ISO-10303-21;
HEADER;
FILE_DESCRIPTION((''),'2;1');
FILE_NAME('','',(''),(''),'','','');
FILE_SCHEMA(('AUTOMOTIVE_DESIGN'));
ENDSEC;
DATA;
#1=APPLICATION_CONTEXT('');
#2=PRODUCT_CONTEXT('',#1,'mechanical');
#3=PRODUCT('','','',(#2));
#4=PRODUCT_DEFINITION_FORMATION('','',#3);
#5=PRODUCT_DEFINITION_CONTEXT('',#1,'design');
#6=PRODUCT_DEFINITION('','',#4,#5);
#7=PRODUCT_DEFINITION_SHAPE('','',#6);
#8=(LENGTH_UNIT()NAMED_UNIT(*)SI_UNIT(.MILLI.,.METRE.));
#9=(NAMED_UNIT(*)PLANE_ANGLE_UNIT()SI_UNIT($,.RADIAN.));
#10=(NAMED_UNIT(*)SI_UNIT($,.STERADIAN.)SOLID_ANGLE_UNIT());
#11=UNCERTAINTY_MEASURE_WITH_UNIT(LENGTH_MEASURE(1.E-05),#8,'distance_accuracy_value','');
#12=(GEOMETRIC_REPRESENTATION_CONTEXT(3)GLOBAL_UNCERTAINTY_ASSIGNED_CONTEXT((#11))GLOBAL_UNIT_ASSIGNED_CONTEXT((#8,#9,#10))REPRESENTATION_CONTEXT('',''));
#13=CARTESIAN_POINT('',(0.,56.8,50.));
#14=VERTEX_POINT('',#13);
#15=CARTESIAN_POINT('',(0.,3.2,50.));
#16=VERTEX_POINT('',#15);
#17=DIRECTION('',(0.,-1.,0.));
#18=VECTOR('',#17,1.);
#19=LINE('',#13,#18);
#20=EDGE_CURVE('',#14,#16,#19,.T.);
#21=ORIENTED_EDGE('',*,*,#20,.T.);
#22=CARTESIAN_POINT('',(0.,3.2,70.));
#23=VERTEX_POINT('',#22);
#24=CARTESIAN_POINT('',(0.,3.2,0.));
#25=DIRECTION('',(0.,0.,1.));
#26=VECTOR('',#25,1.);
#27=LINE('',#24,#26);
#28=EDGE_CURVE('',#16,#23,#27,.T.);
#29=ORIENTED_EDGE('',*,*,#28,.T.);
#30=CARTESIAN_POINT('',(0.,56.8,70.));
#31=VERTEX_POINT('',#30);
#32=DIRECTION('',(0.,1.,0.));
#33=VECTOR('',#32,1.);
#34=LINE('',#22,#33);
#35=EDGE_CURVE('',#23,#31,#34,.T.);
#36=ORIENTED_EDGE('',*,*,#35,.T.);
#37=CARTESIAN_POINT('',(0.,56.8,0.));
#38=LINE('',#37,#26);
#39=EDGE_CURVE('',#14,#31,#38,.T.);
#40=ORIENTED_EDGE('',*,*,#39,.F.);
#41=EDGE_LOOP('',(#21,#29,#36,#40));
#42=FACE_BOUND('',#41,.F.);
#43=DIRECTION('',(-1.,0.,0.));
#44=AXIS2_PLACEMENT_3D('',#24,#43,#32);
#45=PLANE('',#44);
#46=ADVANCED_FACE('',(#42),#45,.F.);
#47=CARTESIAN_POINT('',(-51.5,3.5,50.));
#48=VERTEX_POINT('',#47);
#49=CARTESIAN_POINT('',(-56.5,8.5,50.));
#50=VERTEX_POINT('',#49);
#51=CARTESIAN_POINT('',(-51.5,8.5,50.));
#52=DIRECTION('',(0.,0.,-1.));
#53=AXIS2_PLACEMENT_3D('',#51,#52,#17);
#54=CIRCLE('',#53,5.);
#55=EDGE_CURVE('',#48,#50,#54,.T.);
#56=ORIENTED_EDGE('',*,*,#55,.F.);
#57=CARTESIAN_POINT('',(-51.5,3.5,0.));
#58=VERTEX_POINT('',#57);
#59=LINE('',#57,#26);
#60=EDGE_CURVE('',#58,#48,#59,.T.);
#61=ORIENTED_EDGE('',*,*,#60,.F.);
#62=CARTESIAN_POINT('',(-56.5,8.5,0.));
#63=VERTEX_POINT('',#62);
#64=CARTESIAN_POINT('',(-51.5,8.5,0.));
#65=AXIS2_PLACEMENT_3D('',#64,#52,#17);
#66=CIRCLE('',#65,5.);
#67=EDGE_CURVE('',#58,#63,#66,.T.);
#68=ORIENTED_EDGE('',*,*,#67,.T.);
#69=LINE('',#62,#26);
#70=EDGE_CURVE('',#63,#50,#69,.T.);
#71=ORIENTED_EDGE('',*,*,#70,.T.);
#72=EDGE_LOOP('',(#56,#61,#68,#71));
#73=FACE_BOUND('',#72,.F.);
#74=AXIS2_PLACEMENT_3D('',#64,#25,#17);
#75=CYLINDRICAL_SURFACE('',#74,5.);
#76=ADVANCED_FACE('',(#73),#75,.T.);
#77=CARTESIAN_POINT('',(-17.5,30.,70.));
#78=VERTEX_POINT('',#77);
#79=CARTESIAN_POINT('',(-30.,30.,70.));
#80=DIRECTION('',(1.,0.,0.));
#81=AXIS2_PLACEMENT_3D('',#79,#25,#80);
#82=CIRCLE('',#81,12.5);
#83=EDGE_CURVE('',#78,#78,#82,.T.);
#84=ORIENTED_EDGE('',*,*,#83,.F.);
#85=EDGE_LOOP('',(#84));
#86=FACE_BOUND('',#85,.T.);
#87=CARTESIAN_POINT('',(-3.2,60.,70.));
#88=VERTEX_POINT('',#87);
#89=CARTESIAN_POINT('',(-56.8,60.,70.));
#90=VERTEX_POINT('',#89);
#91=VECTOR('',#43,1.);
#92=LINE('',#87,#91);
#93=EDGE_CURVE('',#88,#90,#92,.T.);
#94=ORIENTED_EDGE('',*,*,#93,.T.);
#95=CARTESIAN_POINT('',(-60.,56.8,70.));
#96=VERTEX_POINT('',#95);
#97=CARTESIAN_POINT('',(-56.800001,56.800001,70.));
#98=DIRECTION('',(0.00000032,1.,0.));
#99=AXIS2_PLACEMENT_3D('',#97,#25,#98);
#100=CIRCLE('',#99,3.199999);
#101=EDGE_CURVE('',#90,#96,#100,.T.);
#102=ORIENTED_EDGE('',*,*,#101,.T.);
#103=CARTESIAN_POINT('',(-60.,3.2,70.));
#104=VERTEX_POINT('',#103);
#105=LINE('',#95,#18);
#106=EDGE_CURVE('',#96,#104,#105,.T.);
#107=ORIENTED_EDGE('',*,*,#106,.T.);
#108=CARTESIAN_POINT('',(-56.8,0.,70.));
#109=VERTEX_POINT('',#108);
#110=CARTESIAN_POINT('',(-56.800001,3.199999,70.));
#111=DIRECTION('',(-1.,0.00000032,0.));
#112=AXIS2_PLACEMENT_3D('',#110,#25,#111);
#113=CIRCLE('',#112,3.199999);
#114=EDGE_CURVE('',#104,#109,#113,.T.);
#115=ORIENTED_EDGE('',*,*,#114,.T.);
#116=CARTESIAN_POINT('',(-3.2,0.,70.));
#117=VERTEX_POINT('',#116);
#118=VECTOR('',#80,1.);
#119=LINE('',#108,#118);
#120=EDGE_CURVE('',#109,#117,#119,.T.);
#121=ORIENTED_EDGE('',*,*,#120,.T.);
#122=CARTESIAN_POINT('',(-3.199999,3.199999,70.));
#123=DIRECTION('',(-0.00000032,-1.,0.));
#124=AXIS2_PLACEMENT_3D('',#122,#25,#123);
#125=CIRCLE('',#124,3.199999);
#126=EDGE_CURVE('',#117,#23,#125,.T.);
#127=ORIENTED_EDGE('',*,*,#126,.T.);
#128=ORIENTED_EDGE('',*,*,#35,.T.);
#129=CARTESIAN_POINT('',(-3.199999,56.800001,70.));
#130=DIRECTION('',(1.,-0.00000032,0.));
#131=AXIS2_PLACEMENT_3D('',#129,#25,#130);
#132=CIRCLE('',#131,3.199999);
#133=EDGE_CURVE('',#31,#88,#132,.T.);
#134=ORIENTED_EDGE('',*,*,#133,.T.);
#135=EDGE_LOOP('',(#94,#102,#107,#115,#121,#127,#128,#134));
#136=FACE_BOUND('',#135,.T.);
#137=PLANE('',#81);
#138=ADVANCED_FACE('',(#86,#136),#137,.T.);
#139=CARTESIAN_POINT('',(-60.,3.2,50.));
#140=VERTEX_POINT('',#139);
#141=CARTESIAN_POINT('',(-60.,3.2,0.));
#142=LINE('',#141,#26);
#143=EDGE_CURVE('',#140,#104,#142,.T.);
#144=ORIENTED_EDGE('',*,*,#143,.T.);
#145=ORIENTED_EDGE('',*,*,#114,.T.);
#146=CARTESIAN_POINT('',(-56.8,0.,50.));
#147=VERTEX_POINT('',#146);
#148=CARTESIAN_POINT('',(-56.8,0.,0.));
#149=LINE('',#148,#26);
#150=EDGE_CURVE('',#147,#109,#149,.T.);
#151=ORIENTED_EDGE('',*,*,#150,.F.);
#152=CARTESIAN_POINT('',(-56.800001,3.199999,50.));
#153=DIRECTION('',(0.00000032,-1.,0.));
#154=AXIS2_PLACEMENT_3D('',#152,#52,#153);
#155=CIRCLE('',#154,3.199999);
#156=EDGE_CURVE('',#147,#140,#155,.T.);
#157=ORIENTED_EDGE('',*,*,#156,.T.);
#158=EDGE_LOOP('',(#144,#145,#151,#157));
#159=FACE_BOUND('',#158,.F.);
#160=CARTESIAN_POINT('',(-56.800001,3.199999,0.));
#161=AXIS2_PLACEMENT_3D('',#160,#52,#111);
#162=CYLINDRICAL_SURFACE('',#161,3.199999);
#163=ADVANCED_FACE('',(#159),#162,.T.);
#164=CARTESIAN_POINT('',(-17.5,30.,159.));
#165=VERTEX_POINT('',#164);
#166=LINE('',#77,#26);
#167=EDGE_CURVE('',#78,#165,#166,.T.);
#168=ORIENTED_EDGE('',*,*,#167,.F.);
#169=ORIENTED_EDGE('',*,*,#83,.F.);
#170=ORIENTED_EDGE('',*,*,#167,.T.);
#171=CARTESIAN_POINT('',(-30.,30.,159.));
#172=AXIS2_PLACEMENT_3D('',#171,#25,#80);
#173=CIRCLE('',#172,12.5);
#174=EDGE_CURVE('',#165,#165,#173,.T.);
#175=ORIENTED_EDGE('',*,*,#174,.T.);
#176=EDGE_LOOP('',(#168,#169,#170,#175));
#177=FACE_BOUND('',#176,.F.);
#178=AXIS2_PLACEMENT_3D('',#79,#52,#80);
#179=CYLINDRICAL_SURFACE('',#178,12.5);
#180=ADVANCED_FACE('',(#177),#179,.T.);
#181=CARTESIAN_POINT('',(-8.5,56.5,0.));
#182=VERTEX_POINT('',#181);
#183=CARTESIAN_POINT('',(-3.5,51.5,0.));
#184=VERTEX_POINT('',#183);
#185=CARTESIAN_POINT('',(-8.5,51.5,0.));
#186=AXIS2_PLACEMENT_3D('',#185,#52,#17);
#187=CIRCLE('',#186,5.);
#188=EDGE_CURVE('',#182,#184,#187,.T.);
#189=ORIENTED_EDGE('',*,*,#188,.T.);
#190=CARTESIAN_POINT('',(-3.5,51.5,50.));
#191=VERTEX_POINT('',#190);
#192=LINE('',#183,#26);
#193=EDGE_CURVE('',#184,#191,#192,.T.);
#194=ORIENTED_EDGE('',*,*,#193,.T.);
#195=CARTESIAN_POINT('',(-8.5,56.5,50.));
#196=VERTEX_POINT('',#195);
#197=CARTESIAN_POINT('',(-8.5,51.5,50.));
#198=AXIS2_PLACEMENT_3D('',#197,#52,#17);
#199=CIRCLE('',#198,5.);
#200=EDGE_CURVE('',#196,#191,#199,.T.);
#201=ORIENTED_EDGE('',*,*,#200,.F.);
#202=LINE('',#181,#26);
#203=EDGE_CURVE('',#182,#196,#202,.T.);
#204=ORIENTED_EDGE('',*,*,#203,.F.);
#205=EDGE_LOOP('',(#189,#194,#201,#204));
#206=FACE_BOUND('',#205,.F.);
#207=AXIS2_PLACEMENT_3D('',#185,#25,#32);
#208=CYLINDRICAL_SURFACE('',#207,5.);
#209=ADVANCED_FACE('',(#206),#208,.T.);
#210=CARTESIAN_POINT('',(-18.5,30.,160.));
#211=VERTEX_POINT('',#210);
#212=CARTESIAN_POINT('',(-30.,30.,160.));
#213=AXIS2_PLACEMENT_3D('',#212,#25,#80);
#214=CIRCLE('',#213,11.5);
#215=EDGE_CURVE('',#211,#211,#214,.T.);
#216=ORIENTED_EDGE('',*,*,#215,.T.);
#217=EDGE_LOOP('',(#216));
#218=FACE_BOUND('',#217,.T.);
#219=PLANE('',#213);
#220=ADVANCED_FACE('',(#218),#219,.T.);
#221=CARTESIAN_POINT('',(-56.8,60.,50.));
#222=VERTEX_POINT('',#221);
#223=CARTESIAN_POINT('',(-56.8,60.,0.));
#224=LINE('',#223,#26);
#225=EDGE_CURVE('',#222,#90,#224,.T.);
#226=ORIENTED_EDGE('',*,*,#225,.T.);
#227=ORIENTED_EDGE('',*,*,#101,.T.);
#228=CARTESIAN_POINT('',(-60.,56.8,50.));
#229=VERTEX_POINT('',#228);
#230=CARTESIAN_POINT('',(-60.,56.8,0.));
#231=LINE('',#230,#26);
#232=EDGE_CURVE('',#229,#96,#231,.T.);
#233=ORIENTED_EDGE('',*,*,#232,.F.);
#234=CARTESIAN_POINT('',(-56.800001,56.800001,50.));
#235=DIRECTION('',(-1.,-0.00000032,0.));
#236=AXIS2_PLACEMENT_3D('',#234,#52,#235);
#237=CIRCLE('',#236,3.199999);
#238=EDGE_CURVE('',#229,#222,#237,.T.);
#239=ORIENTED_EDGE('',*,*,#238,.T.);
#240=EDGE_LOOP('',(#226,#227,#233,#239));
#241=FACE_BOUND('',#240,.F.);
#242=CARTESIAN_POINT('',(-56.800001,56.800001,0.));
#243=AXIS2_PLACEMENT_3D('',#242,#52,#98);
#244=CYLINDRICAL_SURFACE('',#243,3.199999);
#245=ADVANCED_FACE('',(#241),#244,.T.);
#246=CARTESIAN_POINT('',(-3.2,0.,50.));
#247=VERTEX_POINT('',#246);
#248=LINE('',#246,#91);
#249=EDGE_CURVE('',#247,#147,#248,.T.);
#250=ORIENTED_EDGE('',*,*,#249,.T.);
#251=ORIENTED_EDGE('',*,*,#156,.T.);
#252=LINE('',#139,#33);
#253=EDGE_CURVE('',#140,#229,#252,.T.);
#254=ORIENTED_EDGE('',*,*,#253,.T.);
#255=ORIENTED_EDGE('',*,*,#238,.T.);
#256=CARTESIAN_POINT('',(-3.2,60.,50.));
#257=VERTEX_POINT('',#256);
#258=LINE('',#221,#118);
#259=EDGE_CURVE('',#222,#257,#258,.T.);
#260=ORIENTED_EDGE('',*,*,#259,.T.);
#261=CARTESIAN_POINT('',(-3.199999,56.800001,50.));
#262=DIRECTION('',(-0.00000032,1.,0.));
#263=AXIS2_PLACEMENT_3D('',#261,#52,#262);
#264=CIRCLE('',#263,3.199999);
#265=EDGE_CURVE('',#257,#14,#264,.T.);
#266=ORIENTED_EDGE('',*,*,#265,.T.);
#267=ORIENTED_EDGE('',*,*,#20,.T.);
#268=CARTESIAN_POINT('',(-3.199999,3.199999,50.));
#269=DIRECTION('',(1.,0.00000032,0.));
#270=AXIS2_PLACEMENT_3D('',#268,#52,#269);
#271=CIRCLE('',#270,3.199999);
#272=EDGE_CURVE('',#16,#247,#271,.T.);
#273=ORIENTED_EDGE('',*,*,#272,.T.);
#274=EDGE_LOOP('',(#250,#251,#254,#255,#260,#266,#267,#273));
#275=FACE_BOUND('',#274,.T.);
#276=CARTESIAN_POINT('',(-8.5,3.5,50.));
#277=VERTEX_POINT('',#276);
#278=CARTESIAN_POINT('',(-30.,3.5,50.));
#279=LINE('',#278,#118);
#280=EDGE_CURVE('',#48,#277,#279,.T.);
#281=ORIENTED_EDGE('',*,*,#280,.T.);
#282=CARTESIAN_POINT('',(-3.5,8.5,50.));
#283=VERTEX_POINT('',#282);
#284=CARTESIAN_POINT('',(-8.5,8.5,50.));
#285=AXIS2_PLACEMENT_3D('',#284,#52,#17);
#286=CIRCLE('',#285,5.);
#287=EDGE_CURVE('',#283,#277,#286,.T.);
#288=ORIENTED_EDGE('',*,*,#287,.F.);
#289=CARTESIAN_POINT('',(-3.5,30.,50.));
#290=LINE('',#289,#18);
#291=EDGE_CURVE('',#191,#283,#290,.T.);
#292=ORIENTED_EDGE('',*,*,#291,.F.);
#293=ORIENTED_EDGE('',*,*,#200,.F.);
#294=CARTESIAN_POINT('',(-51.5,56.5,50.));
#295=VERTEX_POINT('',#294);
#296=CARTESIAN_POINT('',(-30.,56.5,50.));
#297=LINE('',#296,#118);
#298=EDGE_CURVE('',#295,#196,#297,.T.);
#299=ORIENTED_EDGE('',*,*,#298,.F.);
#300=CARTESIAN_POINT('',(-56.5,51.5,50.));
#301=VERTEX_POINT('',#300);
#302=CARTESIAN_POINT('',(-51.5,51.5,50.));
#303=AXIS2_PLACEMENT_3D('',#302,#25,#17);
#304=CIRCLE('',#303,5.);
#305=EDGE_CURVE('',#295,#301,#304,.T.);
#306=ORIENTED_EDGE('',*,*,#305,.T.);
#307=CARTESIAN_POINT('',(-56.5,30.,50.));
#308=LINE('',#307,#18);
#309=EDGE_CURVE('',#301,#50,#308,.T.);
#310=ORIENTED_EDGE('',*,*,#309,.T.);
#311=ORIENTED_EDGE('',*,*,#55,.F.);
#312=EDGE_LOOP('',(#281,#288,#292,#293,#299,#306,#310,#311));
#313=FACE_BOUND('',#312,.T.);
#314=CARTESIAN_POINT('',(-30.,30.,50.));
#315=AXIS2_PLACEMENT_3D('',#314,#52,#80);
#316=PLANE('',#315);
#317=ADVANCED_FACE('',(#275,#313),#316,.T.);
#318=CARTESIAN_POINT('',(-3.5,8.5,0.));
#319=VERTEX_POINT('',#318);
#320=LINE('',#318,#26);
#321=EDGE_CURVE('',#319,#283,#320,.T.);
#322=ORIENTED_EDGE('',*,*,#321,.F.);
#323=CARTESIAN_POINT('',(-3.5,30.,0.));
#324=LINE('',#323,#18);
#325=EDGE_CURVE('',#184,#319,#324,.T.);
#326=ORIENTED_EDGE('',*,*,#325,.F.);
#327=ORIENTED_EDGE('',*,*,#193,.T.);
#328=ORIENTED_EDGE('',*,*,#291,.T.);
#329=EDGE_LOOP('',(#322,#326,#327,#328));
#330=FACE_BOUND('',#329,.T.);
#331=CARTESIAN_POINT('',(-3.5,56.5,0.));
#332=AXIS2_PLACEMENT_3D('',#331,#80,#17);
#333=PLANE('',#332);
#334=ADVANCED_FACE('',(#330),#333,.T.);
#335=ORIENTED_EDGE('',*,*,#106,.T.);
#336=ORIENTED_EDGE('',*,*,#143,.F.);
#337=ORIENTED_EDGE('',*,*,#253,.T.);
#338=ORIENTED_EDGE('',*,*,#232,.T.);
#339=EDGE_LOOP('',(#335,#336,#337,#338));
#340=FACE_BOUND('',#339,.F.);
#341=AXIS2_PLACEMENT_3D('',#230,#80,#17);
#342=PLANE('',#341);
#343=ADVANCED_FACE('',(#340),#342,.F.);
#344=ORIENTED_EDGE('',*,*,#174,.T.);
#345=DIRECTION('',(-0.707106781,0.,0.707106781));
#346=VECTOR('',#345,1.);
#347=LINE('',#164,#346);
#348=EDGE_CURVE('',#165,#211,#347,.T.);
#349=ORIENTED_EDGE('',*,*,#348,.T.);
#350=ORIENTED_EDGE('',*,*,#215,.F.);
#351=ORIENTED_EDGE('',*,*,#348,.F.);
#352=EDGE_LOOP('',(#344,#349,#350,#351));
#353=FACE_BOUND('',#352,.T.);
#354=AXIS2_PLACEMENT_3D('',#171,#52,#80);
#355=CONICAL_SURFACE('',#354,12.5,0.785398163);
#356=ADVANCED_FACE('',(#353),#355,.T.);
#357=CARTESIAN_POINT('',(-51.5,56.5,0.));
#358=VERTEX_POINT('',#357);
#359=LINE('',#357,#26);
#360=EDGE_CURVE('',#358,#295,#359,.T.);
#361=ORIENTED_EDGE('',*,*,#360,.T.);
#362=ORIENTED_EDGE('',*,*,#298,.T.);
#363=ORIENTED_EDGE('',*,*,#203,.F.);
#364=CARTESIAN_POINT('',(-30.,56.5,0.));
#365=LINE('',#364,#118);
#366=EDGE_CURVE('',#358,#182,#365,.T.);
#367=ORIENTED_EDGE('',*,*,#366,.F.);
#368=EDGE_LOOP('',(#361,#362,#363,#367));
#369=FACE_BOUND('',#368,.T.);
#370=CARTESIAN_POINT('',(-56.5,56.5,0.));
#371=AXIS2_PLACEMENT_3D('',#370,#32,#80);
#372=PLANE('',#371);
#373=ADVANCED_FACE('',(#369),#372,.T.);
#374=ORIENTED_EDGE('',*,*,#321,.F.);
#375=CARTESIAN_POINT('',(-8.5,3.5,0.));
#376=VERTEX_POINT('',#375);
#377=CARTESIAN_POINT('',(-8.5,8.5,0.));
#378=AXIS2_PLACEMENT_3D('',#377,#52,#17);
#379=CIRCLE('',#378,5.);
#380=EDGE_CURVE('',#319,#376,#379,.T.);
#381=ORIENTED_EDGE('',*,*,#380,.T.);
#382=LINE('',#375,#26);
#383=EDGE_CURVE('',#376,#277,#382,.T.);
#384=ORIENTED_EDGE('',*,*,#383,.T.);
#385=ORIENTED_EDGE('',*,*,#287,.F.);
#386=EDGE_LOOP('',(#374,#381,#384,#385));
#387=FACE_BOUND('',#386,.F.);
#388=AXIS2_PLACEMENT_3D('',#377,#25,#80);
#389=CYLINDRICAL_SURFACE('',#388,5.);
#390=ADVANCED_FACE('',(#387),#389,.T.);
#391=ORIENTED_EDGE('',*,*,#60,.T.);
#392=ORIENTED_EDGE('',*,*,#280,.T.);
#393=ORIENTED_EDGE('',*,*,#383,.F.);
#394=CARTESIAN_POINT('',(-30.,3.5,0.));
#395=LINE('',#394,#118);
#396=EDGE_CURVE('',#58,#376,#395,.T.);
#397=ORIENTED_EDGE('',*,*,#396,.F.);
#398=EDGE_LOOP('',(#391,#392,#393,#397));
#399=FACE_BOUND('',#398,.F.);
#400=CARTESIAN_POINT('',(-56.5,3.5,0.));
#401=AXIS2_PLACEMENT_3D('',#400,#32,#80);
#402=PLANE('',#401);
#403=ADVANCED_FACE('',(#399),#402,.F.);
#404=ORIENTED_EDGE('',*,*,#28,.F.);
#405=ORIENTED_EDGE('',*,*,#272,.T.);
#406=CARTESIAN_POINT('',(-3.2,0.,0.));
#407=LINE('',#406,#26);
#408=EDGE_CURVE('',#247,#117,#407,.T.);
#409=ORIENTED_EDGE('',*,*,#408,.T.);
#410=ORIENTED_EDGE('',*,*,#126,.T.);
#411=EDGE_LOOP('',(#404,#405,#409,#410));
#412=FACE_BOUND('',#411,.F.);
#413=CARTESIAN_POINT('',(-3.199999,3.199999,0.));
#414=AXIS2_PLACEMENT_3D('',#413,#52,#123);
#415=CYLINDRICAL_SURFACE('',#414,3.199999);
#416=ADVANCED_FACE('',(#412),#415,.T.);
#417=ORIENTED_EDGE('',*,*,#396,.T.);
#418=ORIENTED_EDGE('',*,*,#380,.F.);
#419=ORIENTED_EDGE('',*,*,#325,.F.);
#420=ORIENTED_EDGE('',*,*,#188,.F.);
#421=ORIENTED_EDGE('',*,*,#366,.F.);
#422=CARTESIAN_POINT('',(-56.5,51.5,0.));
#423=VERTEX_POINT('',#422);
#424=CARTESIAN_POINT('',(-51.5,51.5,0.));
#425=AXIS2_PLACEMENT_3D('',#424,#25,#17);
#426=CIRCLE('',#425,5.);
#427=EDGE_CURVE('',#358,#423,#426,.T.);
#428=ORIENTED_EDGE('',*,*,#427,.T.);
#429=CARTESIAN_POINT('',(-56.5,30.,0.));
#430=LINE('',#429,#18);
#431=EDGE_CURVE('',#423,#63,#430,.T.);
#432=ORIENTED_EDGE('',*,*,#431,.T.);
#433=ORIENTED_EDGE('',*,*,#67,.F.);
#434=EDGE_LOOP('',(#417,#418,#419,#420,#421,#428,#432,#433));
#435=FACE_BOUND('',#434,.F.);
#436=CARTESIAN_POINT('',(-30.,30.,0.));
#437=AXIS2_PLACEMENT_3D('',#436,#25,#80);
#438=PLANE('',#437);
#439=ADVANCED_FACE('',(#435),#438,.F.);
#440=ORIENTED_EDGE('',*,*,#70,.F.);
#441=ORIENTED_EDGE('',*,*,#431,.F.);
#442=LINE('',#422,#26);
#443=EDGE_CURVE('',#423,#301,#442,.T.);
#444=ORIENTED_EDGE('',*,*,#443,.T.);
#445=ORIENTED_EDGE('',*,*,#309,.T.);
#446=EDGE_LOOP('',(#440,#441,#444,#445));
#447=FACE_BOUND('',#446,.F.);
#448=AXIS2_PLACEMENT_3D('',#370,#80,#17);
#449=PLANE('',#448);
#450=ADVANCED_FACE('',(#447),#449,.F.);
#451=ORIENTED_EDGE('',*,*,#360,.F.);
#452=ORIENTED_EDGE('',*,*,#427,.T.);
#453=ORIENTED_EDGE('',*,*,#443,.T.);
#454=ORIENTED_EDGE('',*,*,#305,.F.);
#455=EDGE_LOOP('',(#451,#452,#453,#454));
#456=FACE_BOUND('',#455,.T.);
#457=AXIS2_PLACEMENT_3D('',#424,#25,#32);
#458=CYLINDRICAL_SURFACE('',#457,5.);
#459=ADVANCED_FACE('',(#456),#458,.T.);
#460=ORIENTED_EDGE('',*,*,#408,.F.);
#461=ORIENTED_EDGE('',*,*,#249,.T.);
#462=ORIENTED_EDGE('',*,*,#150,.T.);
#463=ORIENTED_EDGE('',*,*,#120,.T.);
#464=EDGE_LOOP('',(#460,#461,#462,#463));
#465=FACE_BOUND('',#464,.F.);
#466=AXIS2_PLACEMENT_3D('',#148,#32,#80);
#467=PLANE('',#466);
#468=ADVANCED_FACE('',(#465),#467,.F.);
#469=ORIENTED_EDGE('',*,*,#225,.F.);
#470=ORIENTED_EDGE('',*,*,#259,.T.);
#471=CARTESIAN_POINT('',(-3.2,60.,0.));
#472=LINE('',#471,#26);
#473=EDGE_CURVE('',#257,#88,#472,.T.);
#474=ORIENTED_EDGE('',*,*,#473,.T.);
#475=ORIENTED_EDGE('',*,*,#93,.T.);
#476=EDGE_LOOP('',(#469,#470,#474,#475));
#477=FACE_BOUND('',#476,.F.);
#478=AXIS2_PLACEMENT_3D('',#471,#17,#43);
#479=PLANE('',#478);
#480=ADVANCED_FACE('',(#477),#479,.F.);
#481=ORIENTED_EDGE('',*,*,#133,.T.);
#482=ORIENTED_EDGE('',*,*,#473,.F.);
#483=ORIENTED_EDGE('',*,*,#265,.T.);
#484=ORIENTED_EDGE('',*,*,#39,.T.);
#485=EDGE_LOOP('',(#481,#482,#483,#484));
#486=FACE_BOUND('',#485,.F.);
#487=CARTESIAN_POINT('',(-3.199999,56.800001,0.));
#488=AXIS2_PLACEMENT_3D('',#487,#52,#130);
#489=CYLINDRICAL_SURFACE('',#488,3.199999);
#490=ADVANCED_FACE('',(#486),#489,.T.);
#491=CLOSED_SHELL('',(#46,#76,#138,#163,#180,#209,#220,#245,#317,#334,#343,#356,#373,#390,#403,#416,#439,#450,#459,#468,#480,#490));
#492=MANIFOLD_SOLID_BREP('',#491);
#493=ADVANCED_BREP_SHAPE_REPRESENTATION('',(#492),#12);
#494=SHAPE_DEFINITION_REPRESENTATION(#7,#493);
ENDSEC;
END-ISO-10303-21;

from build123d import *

# Parameters (mm, degrees)
F1_DEPTH = 70
F2_W     = 53
F2_H     = 53
F3_DEPTH = 50
F4_R     = 5
F5_R     = 12.5
F6_DEPTH = 90
F7_SIZE  = 1


with BuildPart() as f1:
    # F0 (on Top) → F1 (new body)
    with BuildSketch(Plane.XY):
        with BuildLine():
            ThreePointArc((-60, 3.2), (-59.062742, 0.937258), (-56.8, 0))
            Line((-56.8, 0), (-3.2, 0))
            ThreePointArc((-3.2, 0), (-0.937258, 0.937258), (0, 3.2))
            Line((0, 3.2), (0, 56.8))
            ThreePointArc((0, 56.8), (-0.937258, 59.062742), (-3.2, 60))
            Line((-3.2, 60), (-56.8, 60))
            ThreePointArc((-56.8, 60), (-59.062742, 59.062742), (-60, 56.8))
            Line((-60, 56.8), (-60, 3.2))
        make_face()
    extrude(amount=F1_DEPTH)

    # F2 (on face) → F3 (cut)
    with BuildSketch(Plane(origin=(0, 0, 0), x_dir=(1, 0, 0), z_dir=(0, 0, -1))):
        with BuildLine():
            Line((-3.2, 0), (-56.8, 0))
            ThreePointArc((-56.8, 0), (-59.062742, -0.937258), (-60, -3.2))
            Line((-60, -3.2), (-60, -56.8))
            ThreePointArc((-60, -56.8), (-59.062742, -59.062742), (-56.8, -60))
            Line((-56.8, -60), (-3.2, -60))
            ThreePointArc((-3.2, -60), (-0.937258, -59.062742), (0, -56.8))
            Line((0, -56.8), (0, -3.2))
            ThreePointArc((0, -3.2), (-0.937258, -0.937258), (-3.2, 0))
        make_face()
        with Locations((-30, -30)):
            Rectangle(F2_W, F2_H, mode=Mode.SUBTRACT)
    extrude(amount=-F3_DEPTH, mode=Mode.SUBTRACT)

    # F4
    f4_edges = [f1.edges().sort_by_distance(p)[0] for p in [
        (-56.5, 3.5, 25),
        (-3.5, 3.5, 25),
        (-3.5, 56.5, 25),
        (-56.5, 56.5, 25),
    ]]
    fillet(f4_edges, radius=F4_R)

    # F5 (on face) → F6 (join)
    with BuildSketch(Plane.XY.offset(70)):
        with Locations((-30, 30)):
            Circle(F5_R)
    extrude(amount=F6_DEPTH)

    # F7
    f7_edges = [f1.edges().sort_by_distance(p)[0] for p in [
        (-42.5, 30, 160),
    ]]
    chamfer(f7_edges, length=F7_SIZE)


solid = f1.part
